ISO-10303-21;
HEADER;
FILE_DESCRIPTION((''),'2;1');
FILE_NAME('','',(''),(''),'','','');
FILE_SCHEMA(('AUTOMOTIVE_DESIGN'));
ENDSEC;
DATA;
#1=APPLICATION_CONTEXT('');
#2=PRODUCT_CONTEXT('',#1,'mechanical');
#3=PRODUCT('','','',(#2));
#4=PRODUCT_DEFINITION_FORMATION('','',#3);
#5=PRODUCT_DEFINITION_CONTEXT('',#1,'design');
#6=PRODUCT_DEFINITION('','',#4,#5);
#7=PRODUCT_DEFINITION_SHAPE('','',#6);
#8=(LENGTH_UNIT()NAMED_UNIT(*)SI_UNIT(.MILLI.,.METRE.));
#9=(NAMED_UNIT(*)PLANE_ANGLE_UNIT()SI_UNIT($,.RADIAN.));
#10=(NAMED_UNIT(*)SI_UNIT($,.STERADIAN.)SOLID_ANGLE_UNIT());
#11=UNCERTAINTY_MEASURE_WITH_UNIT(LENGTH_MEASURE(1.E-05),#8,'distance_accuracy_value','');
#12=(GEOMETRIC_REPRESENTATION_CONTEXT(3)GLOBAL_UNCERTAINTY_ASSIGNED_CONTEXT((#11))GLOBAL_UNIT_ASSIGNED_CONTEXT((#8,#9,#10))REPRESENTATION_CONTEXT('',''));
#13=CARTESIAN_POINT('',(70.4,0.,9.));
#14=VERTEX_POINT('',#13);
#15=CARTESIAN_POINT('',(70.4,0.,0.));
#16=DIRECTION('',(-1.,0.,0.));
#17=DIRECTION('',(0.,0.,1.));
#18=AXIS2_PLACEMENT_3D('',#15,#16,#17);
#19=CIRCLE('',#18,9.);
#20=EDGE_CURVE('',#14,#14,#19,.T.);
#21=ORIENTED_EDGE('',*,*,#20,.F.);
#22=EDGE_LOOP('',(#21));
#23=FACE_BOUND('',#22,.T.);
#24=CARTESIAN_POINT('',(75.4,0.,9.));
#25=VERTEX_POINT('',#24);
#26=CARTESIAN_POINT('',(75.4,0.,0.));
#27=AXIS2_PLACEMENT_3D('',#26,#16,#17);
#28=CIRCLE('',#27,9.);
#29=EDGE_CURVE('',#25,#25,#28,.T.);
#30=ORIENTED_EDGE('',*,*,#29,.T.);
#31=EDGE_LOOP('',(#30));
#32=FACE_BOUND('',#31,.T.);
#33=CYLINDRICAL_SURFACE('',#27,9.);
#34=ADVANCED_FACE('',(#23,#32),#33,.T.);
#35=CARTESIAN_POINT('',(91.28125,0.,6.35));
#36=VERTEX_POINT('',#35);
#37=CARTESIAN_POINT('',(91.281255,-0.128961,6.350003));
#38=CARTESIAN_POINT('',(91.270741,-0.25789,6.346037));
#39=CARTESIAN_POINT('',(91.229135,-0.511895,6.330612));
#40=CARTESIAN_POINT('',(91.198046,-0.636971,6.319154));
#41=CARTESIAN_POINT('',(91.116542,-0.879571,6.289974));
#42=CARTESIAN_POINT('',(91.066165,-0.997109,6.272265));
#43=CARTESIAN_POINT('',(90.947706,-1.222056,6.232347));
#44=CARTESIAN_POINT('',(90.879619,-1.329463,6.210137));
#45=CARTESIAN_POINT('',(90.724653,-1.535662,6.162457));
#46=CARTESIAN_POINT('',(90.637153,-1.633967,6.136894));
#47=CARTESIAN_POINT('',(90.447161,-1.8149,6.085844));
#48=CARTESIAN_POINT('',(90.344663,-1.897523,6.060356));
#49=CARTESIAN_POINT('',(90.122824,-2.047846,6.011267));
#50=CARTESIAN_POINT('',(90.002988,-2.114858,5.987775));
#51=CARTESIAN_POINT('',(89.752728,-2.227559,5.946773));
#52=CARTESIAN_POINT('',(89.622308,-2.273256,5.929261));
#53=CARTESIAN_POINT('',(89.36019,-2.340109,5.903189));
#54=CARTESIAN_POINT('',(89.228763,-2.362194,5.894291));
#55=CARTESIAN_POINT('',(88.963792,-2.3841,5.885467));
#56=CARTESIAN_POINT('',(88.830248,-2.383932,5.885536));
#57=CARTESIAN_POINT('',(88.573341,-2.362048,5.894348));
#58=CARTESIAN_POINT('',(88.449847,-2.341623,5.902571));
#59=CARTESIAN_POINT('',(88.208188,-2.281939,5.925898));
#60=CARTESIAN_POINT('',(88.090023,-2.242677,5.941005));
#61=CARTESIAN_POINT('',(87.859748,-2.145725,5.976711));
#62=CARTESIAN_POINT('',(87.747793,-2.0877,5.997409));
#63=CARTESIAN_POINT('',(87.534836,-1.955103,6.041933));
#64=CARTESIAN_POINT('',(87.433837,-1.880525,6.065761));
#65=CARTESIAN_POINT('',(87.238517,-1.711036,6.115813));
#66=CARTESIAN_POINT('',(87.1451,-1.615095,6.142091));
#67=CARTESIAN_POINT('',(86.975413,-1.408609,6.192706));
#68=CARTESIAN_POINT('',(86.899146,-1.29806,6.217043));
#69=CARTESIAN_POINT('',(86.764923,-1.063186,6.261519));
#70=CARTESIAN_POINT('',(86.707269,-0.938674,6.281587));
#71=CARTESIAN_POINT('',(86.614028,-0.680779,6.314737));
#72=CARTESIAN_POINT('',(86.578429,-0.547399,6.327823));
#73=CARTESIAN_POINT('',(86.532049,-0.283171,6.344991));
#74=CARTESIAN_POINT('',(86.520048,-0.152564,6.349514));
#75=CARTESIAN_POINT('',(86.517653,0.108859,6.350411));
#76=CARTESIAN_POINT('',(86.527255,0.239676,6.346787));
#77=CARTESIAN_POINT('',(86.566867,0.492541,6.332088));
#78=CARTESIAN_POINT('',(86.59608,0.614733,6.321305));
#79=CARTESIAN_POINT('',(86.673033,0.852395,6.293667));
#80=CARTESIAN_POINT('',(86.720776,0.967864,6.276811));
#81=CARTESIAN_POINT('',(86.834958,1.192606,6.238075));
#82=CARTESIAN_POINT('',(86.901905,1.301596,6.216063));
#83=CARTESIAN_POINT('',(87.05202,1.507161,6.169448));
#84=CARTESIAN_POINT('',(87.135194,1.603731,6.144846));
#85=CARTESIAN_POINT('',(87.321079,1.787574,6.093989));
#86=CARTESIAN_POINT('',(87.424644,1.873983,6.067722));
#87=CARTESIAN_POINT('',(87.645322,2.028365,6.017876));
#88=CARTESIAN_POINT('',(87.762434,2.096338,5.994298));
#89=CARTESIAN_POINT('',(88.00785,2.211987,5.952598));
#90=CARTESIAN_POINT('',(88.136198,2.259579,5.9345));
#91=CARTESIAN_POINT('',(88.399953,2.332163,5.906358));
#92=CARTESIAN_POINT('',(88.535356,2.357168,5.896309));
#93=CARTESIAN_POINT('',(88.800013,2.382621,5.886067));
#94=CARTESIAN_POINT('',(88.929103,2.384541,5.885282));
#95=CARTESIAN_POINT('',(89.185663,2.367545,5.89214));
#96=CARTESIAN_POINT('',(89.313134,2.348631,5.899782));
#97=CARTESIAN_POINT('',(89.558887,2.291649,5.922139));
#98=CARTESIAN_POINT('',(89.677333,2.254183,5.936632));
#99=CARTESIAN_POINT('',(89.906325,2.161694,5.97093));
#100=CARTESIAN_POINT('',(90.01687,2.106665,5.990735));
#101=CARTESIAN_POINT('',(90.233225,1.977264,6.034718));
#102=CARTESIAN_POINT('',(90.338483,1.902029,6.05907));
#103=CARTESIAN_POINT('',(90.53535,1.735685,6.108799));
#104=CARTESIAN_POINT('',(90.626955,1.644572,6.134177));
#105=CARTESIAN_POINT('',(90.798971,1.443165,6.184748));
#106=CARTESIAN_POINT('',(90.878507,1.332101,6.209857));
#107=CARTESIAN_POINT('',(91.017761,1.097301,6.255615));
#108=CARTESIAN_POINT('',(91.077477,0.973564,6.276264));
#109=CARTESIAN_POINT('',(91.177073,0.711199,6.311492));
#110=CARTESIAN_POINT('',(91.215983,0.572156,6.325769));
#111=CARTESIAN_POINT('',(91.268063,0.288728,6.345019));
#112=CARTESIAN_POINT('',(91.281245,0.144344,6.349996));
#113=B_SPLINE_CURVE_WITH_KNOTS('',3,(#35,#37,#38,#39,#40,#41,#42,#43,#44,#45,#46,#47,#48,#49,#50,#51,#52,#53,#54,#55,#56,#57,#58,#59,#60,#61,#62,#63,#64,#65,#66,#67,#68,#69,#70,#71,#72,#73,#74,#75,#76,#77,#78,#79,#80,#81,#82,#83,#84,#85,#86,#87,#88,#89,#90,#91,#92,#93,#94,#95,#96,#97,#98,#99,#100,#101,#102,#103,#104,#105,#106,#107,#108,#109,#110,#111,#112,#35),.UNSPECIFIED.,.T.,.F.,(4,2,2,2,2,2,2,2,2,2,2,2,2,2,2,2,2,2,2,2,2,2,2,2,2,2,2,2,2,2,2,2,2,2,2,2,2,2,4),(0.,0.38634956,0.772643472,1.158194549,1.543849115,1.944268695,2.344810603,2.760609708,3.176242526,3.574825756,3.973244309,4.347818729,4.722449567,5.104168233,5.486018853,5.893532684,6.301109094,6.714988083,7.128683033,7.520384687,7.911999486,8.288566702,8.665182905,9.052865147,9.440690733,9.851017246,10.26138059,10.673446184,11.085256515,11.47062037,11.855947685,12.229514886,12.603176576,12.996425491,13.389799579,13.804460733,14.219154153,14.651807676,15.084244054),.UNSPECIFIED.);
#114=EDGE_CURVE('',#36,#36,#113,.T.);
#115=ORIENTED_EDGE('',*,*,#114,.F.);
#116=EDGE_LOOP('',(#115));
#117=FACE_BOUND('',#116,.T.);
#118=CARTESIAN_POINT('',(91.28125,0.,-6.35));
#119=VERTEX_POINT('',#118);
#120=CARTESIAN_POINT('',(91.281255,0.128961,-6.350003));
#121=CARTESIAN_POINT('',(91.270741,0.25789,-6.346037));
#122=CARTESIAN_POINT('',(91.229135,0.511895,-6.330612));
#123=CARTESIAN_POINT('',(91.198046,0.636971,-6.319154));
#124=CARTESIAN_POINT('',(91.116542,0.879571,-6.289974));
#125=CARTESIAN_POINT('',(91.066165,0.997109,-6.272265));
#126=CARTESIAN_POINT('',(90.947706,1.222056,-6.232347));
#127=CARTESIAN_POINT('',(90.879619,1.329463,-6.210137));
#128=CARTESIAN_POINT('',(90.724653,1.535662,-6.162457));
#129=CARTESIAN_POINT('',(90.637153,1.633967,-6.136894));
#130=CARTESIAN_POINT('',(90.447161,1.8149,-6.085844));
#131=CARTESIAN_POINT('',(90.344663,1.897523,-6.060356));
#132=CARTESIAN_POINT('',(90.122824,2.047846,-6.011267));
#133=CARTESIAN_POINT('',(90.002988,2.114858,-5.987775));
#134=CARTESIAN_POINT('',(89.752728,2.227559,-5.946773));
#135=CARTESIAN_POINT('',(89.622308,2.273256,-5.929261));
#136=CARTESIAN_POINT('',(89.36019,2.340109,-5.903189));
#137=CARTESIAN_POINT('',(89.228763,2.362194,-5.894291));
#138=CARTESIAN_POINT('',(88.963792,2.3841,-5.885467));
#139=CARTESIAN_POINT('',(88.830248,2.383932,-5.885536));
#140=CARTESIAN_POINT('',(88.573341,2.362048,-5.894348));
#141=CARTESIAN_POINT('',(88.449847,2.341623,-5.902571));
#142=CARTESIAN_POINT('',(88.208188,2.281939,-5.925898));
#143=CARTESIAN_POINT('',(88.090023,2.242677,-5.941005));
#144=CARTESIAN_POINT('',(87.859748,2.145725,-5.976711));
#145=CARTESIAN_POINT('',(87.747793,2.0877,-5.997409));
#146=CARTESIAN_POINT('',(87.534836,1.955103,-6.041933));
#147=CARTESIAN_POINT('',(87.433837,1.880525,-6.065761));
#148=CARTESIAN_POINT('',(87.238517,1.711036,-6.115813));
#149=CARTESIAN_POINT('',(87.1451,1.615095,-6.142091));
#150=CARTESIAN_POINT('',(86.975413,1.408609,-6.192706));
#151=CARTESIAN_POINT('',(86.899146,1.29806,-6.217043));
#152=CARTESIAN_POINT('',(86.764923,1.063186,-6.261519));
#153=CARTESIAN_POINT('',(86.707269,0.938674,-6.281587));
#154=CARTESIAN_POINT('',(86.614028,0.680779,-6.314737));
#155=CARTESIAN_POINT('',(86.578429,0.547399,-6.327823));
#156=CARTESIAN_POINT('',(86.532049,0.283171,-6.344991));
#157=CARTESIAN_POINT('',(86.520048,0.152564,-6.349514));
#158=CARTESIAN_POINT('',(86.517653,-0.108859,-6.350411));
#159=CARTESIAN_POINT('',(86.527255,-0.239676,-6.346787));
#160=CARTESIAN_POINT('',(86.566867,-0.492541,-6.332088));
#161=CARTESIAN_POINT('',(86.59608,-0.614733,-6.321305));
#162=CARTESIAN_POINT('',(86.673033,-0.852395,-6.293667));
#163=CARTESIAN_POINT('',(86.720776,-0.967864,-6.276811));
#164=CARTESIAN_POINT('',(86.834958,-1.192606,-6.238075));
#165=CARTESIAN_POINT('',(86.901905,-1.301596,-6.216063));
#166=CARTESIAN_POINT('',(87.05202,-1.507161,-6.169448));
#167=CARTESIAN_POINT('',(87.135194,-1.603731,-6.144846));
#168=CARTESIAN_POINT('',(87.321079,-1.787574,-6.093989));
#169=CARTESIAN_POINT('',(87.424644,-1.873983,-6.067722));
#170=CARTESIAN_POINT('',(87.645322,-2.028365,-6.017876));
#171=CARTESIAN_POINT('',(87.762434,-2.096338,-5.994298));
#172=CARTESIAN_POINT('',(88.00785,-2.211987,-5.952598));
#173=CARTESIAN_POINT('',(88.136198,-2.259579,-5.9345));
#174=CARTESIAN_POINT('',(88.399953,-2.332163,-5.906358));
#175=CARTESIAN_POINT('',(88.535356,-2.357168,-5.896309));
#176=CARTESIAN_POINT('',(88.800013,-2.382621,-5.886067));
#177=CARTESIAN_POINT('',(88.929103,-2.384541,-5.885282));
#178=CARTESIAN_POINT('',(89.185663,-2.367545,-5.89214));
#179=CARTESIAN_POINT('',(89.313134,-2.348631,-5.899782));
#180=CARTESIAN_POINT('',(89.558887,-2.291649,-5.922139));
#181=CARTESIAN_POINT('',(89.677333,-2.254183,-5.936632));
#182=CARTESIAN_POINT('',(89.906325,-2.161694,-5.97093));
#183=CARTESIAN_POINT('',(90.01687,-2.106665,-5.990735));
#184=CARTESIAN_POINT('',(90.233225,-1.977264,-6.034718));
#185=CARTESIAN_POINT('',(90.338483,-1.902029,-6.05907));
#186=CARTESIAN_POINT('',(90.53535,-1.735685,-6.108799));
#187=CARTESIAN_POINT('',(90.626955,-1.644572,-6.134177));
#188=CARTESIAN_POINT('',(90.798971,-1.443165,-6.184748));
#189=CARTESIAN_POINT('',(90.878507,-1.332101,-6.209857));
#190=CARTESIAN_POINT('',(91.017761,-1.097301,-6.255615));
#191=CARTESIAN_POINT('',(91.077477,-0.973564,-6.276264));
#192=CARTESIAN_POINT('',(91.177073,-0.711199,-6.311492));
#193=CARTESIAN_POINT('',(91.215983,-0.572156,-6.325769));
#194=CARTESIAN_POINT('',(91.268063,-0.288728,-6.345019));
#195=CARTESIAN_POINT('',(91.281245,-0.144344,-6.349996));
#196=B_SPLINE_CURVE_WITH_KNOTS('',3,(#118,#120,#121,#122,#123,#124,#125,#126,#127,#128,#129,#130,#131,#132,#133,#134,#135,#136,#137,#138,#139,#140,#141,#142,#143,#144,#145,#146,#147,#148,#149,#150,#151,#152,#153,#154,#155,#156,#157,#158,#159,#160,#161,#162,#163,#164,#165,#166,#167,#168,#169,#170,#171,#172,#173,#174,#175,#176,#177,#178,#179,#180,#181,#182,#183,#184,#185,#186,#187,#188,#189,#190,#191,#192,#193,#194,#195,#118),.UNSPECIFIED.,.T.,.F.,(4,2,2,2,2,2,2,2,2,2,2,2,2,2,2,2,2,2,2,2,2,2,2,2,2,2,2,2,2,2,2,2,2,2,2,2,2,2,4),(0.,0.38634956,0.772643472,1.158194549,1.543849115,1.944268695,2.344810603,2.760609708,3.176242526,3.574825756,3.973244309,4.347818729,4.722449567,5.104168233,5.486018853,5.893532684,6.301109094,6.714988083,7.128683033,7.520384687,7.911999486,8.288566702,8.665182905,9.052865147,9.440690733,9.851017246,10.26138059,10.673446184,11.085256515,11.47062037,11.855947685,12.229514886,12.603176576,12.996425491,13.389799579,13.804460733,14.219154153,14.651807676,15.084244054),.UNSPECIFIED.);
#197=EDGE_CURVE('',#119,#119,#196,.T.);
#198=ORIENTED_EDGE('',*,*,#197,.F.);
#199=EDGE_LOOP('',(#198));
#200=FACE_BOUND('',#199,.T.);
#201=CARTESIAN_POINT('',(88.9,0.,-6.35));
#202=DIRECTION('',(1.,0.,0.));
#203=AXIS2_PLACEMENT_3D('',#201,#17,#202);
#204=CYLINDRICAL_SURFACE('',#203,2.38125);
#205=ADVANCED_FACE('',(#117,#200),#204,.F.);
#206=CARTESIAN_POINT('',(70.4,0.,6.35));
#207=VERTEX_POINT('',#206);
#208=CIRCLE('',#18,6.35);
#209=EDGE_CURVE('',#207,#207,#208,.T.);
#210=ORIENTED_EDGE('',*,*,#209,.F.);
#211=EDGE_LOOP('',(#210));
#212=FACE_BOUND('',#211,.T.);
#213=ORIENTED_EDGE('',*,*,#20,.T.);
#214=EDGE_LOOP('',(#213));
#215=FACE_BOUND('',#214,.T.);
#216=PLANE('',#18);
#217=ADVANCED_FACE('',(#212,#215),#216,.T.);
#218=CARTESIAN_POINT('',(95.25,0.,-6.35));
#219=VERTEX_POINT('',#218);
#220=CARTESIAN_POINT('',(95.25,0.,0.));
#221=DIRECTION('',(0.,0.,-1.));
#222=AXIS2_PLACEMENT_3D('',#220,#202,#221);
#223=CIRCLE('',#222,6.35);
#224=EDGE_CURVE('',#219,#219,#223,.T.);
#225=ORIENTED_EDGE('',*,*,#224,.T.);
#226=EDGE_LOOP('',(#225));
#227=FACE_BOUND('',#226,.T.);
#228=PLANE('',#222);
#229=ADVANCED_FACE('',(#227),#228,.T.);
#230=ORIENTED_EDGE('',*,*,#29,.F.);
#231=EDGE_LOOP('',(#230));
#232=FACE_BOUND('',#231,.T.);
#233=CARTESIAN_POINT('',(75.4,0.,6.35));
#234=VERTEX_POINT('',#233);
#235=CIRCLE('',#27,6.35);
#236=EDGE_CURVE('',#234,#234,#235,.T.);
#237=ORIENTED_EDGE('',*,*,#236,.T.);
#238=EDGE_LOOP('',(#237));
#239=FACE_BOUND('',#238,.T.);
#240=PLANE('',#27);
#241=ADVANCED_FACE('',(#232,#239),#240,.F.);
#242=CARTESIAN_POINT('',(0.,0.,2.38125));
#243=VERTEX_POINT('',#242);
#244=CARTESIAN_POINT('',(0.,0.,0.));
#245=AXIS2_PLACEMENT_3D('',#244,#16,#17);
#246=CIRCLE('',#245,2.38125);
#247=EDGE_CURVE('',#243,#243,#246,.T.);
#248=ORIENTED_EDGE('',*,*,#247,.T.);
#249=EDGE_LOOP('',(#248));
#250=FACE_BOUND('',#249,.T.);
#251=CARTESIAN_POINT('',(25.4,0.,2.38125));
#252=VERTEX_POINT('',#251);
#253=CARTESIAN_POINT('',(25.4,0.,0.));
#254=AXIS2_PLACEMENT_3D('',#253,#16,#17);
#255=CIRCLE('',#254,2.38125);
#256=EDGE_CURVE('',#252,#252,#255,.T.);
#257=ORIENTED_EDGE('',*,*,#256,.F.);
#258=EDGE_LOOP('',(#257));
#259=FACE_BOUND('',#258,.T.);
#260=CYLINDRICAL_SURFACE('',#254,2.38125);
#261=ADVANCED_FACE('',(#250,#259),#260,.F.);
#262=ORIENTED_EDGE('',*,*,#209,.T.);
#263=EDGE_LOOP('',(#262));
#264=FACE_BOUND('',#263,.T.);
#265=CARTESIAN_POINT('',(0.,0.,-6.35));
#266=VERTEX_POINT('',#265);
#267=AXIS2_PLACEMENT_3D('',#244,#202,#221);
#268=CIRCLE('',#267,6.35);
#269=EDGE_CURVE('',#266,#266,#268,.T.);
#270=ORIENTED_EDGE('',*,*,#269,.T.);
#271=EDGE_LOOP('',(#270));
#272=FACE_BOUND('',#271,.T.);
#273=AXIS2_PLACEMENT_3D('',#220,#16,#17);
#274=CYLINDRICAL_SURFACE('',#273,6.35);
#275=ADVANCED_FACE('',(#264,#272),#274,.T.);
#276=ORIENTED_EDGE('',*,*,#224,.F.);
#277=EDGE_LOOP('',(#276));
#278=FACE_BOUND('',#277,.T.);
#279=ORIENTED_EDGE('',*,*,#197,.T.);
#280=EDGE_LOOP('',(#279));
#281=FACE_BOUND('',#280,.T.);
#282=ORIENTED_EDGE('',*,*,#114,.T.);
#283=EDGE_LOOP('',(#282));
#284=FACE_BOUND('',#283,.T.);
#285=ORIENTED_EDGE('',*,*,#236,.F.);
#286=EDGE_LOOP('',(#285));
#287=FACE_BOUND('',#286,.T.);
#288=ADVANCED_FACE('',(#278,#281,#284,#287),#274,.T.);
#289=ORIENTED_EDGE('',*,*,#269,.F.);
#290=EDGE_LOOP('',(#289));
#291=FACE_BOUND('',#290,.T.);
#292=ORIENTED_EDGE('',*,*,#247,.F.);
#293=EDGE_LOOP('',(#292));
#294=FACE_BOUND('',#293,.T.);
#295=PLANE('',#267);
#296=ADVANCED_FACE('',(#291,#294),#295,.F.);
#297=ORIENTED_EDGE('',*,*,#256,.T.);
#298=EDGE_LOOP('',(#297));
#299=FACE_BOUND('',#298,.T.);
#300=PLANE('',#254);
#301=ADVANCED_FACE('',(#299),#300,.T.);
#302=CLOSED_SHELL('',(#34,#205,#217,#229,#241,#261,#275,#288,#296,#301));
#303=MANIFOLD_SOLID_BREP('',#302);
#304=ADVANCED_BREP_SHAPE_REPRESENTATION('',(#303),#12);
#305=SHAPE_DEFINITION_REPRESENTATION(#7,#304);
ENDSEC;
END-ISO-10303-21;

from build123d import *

# Parameters (mm, degrees)
SKETCH1_R               = 6.35
BASE_EXTRUDE_DEPTH      = 95.25
CUT_EXTRUDE1_DEPTH      = 96.672396751
CUT_EXTRUDE1_DEPTH_BACK = 96.672396751
SKETCH2_R               = 2.38125
SKETCH3_R               = 2.38125
CUT_EXTRUDE2_DEPTH      = 25.4
SKETCH4_R               = 9
EXTRUDE1_DEPTH          = 5


with BuildPart() as part:
    # Sketch1 → Base-Extrude (new body)
    with BuildSketch(Plane(origin=(0, 0, 0), x_dir=(0, 0, -1), z_dir=(1, 0, 0))):
        Circle(SKETCH1_R)
    extrude(amount=BASE_EXTRUDE_DEPTH)

    # Sketch2 → Cut-Extrude1 (cut, two sides: drawn at the far end of the back side and taken through both)
    with BuildSketch(Plane.XY.offset(-CUT_EXTRUDE1_DEPTH_BACK)):
        with Locations((88.9, 0)):
            Circle(SKETCH2_R)
    extrude(amount=CUT_EXTRUDE1_DEPTH + CUT_EXTRUDE1_DEPTH_BACK, mode=Mode.SUBTRACT)

    # Sketch3 → Cut-Extrude2 (cut)
    with BuildSketch(Plane.ZY):
        Circle(SKETCH3_R)
    extrude(amount=-CUT_EXTRUDE2_DEPTH, mode=Mode.SUBTRACT)

    # Sketch4 → Extrude1 (add)
    with BuildSketch(Plane.ZY.offset(-70.4)):
        Circle(SKETCH4_R)
    extrude(amount=-EXTRUDE1_DEPTH)


solid = part.part
